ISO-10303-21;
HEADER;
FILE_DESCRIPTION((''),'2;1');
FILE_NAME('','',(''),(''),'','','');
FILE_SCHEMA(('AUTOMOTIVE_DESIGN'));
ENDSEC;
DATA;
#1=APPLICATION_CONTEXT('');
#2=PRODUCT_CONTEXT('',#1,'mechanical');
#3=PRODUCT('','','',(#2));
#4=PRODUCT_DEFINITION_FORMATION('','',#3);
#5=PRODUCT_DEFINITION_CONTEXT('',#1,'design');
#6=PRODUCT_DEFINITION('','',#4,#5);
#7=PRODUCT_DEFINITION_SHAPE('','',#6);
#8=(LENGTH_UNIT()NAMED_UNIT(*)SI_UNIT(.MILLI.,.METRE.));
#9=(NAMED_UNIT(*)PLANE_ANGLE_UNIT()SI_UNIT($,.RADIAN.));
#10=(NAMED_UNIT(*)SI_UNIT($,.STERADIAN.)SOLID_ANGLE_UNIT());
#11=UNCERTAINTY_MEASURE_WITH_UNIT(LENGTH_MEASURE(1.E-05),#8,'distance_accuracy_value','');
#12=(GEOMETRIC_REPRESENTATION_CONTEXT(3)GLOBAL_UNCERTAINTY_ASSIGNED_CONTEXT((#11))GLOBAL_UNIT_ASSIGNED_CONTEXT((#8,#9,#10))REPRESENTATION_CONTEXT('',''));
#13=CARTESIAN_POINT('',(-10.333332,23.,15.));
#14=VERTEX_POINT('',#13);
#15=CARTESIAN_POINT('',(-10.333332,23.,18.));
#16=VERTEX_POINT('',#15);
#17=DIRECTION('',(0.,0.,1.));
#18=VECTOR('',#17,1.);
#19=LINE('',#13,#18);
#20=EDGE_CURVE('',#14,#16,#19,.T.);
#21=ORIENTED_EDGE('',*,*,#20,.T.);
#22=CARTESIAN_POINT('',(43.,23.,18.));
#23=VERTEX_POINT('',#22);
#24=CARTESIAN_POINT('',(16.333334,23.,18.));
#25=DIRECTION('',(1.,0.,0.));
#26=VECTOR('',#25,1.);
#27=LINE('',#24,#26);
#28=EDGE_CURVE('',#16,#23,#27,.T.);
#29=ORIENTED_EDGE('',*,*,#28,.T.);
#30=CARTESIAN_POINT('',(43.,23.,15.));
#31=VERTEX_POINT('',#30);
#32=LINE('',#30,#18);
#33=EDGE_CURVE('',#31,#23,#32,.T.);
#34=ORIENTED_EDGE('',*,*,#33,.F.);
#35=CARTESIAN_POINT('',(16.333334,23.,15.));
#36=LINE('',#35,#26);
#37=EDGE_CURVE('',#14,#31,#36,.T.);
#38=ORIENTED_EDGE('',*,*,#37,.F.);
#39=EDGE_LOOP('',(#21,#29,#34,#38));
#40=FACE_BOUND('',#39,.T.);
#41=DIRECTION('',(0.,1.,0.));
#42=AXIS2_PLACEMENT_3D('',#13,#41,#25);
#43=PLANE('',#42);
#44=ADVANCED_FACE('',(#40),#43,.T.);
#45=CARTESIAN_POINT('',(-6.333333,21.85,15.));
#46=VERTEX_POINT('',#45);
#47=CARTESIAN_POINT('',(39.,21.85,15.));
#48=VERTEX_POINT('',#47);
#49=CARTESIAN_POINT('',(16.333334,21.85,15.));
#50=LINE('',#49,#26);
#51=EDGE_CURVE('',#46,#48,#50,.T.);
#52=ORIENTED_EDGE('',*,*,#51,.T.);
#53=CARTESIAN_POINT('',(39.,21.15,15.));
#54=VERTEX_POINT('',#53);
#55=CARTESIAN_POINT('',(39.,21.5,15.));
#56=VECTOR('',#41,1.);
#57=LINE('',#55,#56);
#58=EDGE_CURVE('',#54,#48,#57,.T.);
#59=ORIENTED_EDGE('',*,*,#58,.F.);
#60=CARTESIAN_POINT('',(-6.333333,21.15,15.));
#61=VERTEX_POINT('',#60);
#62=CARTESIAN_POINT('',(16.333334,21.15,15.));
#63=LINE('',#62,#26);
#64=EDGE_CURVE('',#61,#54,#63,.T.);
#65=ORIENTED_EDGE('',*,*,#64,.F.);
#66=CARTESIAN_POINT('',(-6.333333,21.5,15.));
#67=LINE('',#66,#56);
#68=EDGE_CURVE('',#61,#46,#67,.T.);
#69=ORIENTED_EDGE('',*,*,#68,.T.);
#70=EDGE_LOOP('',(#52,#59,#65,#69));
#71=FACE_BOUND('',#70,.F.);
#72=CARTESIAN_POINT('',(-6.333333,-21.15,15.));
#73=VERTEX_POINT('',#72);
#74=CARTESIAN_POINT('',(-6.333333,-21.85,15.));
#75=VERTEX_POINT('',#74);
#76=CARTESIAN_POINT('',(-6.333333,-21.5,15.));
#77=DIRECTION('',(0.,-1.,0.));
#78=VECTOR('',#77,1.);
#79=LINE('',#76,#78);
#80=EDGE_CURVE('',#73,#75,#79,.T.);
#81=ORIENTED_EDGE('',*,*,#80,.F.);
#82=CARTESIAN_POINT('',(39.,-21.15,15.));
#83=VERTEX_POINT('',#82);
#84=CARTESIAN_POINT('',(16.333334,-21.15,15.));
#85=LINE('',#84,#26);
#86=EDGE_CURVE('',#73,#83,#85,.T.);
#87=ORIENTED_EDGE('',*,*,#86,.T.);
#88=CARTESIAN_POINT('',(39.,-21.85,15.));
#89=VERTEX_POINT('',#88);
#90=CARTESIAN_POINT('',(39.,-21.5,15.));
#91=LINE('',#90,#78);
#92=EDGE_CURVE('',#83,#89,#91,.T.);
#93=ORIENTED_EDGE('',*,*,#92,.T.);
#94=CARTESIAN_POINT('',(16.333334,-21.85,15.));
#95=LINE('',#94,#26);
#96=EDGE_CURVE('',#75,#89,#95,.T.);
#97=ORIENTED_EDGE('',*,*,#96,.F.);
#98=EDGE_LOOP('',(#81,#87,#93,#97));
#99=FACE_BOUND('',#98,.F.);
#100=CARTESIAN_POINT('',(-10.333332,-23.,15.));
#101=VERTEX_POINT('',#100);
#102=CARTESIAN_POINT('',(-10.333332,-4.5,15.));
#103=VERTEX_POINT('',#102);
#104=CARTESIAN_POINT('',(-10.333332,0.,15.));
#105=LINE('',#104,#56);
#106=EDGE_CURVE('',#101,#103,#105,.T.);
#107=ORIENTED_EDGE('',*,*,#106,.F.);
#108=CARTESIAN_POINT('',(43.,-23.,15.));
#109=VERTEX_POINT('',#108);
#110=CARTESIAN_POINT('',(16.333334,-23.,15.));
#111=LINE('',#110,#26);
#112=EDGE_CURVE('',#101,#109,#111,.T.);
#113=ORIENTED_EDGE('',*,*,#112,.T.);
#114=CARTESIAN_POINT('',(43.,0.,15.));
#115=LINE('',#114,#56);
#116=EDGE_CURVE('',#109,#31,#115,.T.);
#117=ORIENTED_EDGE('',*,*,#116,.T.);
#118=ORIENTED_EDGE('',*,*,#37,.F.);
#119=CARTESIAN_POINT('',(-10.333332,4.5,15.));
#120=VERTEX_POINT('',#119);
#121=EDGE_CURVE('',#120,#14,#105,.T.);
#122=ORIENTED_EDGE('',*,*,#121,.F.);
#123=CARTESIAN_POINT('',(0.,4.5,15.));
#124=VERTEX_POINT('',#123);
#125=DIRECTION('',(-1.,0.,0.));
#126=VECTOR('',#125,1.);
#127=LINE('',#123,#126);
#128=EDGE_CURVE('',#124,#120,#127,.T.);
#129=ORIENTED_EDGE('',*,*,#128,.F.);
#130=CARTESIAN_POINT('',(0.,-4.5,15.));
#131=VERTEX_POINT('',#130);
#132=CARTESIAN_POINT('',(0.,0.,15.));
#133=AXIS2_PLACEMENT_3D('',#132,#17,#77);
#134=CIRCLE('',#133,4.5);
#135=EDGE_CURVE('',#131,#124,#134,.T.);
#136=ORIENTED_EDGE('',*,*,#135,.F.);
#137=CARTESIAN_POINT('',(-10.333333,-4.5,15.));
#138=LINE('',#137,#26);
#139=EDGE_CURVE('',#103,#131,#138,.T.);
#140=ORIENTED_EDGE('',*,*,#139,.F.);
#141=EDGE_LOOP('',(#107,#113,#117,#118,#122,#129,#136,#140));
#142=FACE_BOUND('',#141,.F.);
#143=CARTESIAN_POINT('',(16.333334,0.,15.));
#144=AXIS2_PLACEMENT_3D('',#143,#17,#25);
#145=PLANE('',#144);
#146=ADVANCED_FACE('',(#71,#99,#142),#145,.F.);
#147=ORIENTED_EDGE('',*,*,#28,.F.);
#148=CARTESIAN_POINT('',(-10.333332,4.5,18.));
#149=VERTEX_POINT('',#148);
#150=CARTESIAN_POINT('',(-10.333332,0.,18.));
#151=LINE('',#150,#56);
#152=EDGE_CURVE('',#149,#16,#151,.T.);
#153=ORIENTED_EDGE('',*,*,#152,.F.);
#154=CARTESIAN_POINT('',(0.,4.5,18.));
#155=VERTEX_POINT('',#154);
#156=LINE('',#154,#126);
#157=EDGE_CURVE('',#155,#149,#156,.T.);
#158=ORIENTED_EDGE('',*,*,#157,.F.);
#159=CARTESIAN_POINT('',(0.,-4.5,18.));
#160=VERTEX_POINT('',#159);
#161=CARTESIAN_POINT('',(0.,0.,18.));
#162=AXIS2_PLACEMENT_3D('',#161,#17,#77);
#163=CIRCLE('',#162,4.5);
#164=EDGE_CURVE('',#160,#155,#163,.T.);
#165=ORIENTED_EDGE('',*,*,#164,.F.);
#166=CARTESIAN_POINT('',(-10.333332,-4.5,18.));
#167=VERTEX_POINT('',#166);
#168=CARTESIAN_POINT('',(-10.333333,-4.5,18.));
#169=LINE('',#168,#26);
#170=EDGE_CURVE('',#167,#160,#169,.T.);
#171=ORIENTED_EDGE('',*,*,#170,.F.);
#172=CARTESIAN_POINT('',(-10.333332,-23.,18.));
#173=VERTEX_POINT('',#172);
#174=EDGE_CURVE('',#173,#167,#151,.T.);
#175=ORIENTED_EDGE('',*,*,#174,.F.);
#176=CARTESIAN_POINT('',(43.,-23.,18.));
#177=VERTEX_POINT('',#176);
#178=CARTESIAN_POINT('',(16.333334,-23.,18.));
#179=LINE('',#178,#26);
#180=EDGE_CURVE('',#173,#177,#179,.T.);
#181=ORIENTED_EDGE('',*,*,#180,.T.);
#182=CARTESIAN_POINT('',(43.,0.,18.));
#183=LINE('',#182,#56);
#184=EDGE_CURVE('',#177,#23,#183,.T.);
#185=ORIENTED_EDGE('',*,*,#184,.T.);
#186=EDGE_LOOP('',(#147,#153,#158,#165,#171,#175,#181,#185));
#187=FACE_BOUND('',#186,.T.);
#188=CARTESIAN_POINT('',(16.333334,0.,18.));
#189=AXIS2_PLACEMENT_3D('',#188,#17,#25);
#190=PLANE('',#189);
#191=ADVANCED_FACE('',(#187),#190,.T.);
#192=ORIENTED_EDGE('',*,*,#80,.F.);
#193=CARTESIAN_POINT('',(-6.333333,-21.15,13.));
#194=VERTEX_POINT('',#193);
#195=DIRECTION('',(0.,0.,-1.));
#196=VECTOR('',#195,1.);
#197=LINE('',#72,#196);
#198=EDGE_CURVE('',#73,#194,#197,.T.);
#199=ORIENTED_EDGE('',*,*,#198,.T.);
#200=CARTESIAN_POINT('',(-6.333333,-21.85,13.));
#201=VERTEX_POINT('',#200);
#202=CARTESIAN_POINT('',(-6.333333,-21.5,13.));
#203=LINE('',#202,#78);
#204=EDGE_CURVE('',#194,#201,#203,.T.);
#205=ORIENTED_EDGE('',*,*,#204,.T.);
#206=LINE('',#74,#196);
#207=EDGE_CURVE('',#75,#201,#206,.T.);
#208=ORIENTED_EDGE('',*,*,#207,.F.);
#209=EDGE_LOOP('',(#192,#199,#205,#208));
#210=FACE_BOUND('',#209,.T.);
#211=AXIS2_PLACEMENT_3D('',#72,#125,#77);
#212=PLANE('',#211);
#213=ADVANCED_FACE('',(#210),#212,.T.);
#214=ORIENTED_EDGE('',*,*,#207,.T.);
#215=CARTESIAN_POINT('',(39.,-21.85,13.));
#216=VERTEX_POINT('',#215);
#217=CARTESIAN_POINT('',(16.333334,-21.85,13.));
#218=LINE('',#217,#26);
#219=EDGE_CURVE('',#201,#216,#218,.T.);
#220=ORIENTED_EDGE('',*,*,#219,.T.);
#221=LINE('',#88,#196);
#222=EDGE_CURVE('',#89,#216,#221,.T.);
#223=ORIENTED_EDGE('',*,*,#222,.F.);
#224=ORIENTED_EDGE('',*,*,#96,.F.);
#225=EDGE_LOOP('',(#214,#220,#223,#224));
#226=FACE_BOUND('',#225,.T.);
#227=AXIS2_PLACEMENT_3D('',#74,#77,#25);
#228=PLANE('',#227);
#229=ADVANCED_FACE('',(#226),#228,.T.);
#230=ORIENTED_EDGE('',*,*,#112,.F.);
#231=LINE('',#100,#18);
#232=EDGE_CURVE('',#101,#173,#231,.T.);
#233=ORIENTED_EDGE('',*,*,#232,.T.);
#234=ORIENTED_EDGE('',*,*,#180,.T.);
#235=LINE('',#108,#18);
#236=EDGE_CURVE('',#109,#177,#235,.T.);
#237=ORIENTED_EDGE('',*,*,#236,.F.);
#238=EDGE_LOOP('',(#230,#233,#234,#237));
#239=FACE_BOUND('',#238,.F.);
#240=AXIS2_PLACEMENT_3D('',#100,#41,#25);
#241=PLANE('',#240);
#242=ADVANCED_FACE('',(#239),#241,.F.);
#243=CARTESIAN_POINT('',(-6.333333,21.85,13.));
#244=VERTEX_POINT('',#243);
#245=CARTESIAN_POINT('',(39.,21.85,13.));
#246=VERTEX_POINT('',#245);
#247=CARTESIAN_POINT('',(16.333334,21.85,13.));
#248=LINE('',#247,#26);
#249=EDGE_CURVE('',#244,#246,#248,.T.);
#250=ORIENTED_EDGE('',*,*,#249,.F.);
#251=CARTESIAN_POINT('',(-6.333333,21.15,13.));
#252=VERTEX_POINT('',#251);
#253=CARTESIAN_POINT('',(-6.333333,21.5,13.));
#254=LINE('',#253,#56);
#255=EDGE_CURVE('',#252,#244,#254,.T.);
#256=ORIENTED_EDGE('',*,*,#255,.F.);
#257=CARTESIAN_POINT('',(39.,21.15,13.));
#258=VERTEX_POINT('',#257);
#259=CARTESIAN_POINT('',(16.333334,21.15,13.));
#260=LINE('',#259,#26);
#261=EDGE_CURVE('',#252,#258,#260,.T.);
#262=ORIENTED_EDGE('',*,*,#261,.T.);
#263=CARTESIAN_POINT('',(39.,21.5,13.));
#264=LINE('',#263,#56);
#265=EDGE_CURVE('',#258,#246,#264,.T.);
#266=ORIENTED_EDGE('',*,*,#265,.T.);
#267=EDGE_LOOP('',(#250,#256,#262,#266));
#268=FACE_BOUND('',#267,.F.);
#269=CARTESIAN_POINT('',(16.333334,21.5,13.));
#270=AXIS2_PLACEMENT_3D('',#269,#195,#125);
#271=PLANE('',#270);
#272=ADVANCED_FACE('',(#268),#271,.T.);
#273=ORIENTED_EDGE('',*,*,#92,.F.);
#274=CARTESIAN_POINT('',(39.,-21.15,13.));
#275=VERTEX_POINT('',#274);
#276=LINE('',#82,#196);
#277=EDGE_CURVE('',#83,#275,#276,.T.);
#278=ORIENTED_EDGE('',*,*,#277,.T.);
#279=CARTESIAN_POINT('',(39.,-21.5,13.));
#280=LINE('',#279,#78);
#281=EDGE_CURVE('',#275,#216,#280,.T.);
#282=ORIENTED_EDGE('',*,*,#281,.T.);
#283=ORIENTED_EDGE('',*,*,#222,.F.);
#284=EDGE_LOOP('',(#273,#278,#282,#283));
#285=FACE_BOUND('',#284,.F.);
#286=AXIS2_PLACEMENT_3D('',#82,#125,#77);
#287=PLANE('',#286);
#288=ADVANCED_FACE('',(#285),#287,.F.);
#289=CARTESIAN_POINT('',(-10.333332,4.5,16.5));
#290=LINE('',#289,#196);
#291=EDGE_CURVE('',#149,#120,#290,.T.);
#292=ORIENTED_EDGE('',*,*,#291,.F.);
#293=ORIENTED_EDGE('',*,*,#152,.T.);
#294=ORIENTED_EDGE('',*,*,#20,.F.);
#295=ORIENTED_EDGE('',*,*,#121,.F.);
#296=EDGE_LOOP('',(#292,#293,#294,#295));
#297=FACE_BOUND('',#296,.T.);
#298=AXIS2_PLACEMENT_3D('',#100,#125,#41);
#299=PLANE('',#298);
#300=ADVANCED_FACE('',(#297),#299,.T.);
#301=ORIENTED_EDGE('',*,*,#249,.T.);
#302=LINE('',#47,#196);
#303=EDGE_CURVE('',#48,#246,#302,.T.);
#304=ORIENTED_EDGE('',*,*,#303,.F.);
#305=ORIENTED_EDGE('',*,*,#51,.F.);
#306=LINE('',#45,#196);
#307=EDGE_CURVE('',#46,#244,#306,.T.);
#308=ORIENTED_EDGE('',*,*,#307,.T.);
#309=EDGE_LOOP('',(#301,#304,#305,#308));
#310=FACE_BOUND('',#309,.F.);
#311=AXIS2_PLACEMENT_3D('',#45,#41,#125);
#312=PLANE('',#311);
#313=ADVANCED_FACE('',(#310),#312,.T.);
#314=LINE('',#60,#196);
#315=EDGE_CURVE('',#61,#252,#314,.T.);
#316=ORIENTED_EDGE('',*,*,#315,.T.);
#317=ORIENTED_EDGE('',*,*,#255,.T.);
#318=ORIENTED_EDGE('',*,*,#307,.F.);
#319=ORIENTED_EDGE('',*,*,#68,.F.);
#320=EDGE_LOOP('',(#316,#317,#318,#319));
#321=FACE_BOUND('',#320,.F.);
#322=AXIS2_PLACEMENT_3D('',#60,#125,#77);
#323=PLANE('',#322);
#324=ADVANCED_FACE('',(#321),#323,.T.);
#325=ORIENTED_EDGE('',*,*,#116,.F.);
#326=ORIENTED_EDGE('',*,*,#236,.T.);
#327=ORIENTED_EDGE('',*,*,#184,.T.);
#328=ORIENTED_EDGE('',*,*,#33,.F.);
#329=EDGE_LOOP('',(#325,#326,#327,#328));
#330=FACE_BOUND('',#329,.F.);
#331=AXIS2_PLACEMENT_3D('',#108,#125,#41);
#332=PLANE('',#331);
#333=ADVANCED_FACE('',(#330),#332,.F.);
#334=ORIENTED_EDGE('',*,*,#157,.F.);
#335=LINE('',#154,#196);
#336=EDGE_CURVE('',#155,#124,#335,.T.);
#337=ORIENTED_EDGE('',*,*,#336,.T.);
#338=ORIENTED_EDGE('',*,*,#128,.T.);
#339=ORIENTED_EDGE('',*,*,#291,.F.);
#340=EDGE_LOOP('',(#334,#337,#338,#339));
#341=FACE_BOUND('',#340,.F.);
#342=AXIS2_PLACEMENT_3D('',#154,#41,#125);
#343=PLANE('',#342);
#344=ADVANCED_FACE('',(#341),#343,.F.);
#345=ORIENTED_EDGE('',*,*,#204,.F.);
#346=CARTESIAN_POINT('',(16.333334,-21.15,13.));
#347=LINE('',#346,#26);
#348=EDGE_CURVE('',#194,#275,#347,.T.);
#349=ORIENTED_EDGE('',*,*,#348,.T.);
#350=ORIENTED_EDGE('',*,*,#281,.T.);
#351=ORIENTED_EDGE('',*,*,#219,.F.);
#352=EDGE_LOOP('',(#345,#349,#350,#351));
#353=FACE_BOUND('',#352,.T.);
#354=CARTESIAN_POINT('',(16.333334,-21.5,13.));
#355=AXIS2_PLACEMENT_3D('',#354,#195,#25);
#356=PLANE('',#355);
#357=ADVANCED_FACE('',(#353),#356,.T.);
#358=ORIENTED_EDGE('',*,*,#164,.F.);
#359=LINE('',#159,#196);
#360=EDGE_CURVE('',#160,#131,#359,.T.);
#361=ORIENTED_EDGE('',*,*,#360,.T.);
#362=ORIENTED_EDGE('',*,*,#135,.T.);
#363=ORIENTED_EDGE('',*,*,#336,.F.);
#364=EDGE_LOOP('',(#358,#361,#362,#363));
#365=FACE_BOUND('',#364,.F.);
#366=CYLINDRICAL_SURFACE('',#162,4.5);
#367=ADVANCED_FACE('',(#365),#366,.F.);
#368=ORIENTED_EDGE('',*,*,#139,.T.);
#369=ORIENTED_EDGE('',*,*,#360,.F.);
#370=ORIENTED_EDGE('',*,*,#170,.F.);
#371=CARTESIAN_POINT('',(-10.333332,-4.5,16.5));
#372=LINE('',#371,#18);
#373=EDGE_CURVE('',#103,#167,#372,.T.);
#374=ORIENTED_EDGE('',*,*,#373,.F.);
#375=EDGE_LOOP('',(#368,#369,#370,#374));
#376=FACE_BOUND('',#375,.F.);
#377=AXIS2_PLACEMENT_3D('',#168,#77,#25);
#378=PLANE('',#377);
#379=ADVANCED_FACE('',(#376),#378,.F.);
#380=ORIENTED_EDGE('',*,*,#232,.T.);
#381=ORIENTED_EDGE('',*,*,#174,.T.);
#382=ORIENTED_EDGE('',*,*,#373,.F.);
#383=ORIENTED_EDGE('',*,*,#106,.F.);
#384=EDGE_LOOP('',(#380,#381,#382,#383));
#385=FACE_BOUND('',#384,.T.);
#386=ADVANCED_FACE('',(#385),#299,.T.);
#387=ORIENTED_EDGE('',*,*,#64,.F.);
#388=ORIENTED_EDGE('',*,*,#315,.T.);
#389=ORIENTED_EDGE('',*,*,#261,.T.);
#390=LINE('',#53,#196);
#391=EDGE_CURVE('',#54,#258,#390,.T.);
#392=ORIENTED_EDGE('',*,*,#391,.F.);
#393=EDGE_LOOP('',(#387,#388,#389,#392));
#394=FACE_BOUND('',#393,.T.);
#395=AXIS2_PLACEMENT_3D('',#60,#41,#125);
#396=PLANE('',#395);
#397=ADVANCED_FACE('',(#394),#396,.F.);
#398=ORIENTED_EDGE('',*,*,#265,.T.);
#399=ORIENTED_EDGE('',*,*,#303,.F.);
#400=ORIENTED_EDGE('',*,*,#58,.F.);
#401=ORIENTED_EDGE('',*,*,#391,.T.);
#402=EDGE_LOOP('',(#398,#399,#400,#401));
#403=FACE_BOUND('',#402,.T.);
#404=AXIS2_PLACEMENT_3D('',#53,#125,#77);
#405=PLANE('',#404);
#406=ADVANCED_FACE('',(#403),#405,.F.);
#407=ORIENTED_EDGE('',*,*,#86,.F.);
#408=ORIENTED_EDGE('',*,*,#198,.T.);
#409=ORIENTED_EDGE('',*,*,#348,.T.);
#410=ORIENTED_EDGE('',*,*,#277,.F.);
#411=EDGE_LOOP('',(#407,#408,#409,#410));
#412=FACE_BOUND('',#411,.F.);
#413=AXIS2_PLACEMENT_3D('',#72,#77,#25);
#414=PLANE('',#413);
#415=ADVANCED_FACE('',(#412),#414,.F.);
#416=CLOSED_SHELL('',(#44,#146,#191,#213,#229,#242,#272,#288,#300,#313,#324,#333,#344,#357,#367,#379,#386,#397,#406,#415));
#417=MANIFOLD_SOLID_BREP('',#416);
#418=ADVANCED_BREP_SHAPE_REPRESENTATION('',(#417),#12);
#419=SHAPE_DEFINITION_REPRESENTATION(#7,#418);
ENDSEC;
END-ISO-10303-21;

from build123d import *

# Parameters (mm, degrees)
SKETCH008_W     = 53.333333
SKETCH008_H     = 46
PAD005_DEPTH    = 3
SKETCH010_W     = 45.333333
SKETCH010_H     = 0.7
PAD006_DEPTH    = 2
POCKET005_DEPTH = 3


with BuildPart() as part:
    # Sketch008 → Pad005 (new body)
    with BuildSketch(Plane.XY.offset(15)):
        with Locations((16.333334, 0)):
            Rectangle(SKETCH008_W, SKETCH008_H)
    extrude(amount=PAD005_DEPTH)

    # Sketch010 → Pad006 (join)
    with BuildSketch(Plane(origin=(0, 0, 15), x_dir=(1, 0, 0), z_dir=(0, 0, -1))):
        with Locations((16.333334, 21.5)):
            Rectangle(SKETCH010_W, SKETCH010_H)
    pad006 = extrude(amount=PAD006_DEPTH)

    # Mirrored001: Pad006 across XZ
    add(pad006.mirror(Plane.XZ))

    # Sketch009 (on Face6 of Pad005) → Pocket005 (cut)
    with BuildSketch(Plane.XY.offset(18)):
        with BuildLine():
            ThreePointArc((0, -4.5), (4.5, 0), (0, 4.5))
            Line((0, 4.5), (-10.333333, 4.5))
            Line((-10.333333, 4.5), (-10.333333, -4.5))
            Line((-10.333333, -4.5), (0, -4.5))
        make_face()
    extrude(amount=-POCKET005_DEPTH, mode=Mode.SUBTRACT)


solid = part.part
